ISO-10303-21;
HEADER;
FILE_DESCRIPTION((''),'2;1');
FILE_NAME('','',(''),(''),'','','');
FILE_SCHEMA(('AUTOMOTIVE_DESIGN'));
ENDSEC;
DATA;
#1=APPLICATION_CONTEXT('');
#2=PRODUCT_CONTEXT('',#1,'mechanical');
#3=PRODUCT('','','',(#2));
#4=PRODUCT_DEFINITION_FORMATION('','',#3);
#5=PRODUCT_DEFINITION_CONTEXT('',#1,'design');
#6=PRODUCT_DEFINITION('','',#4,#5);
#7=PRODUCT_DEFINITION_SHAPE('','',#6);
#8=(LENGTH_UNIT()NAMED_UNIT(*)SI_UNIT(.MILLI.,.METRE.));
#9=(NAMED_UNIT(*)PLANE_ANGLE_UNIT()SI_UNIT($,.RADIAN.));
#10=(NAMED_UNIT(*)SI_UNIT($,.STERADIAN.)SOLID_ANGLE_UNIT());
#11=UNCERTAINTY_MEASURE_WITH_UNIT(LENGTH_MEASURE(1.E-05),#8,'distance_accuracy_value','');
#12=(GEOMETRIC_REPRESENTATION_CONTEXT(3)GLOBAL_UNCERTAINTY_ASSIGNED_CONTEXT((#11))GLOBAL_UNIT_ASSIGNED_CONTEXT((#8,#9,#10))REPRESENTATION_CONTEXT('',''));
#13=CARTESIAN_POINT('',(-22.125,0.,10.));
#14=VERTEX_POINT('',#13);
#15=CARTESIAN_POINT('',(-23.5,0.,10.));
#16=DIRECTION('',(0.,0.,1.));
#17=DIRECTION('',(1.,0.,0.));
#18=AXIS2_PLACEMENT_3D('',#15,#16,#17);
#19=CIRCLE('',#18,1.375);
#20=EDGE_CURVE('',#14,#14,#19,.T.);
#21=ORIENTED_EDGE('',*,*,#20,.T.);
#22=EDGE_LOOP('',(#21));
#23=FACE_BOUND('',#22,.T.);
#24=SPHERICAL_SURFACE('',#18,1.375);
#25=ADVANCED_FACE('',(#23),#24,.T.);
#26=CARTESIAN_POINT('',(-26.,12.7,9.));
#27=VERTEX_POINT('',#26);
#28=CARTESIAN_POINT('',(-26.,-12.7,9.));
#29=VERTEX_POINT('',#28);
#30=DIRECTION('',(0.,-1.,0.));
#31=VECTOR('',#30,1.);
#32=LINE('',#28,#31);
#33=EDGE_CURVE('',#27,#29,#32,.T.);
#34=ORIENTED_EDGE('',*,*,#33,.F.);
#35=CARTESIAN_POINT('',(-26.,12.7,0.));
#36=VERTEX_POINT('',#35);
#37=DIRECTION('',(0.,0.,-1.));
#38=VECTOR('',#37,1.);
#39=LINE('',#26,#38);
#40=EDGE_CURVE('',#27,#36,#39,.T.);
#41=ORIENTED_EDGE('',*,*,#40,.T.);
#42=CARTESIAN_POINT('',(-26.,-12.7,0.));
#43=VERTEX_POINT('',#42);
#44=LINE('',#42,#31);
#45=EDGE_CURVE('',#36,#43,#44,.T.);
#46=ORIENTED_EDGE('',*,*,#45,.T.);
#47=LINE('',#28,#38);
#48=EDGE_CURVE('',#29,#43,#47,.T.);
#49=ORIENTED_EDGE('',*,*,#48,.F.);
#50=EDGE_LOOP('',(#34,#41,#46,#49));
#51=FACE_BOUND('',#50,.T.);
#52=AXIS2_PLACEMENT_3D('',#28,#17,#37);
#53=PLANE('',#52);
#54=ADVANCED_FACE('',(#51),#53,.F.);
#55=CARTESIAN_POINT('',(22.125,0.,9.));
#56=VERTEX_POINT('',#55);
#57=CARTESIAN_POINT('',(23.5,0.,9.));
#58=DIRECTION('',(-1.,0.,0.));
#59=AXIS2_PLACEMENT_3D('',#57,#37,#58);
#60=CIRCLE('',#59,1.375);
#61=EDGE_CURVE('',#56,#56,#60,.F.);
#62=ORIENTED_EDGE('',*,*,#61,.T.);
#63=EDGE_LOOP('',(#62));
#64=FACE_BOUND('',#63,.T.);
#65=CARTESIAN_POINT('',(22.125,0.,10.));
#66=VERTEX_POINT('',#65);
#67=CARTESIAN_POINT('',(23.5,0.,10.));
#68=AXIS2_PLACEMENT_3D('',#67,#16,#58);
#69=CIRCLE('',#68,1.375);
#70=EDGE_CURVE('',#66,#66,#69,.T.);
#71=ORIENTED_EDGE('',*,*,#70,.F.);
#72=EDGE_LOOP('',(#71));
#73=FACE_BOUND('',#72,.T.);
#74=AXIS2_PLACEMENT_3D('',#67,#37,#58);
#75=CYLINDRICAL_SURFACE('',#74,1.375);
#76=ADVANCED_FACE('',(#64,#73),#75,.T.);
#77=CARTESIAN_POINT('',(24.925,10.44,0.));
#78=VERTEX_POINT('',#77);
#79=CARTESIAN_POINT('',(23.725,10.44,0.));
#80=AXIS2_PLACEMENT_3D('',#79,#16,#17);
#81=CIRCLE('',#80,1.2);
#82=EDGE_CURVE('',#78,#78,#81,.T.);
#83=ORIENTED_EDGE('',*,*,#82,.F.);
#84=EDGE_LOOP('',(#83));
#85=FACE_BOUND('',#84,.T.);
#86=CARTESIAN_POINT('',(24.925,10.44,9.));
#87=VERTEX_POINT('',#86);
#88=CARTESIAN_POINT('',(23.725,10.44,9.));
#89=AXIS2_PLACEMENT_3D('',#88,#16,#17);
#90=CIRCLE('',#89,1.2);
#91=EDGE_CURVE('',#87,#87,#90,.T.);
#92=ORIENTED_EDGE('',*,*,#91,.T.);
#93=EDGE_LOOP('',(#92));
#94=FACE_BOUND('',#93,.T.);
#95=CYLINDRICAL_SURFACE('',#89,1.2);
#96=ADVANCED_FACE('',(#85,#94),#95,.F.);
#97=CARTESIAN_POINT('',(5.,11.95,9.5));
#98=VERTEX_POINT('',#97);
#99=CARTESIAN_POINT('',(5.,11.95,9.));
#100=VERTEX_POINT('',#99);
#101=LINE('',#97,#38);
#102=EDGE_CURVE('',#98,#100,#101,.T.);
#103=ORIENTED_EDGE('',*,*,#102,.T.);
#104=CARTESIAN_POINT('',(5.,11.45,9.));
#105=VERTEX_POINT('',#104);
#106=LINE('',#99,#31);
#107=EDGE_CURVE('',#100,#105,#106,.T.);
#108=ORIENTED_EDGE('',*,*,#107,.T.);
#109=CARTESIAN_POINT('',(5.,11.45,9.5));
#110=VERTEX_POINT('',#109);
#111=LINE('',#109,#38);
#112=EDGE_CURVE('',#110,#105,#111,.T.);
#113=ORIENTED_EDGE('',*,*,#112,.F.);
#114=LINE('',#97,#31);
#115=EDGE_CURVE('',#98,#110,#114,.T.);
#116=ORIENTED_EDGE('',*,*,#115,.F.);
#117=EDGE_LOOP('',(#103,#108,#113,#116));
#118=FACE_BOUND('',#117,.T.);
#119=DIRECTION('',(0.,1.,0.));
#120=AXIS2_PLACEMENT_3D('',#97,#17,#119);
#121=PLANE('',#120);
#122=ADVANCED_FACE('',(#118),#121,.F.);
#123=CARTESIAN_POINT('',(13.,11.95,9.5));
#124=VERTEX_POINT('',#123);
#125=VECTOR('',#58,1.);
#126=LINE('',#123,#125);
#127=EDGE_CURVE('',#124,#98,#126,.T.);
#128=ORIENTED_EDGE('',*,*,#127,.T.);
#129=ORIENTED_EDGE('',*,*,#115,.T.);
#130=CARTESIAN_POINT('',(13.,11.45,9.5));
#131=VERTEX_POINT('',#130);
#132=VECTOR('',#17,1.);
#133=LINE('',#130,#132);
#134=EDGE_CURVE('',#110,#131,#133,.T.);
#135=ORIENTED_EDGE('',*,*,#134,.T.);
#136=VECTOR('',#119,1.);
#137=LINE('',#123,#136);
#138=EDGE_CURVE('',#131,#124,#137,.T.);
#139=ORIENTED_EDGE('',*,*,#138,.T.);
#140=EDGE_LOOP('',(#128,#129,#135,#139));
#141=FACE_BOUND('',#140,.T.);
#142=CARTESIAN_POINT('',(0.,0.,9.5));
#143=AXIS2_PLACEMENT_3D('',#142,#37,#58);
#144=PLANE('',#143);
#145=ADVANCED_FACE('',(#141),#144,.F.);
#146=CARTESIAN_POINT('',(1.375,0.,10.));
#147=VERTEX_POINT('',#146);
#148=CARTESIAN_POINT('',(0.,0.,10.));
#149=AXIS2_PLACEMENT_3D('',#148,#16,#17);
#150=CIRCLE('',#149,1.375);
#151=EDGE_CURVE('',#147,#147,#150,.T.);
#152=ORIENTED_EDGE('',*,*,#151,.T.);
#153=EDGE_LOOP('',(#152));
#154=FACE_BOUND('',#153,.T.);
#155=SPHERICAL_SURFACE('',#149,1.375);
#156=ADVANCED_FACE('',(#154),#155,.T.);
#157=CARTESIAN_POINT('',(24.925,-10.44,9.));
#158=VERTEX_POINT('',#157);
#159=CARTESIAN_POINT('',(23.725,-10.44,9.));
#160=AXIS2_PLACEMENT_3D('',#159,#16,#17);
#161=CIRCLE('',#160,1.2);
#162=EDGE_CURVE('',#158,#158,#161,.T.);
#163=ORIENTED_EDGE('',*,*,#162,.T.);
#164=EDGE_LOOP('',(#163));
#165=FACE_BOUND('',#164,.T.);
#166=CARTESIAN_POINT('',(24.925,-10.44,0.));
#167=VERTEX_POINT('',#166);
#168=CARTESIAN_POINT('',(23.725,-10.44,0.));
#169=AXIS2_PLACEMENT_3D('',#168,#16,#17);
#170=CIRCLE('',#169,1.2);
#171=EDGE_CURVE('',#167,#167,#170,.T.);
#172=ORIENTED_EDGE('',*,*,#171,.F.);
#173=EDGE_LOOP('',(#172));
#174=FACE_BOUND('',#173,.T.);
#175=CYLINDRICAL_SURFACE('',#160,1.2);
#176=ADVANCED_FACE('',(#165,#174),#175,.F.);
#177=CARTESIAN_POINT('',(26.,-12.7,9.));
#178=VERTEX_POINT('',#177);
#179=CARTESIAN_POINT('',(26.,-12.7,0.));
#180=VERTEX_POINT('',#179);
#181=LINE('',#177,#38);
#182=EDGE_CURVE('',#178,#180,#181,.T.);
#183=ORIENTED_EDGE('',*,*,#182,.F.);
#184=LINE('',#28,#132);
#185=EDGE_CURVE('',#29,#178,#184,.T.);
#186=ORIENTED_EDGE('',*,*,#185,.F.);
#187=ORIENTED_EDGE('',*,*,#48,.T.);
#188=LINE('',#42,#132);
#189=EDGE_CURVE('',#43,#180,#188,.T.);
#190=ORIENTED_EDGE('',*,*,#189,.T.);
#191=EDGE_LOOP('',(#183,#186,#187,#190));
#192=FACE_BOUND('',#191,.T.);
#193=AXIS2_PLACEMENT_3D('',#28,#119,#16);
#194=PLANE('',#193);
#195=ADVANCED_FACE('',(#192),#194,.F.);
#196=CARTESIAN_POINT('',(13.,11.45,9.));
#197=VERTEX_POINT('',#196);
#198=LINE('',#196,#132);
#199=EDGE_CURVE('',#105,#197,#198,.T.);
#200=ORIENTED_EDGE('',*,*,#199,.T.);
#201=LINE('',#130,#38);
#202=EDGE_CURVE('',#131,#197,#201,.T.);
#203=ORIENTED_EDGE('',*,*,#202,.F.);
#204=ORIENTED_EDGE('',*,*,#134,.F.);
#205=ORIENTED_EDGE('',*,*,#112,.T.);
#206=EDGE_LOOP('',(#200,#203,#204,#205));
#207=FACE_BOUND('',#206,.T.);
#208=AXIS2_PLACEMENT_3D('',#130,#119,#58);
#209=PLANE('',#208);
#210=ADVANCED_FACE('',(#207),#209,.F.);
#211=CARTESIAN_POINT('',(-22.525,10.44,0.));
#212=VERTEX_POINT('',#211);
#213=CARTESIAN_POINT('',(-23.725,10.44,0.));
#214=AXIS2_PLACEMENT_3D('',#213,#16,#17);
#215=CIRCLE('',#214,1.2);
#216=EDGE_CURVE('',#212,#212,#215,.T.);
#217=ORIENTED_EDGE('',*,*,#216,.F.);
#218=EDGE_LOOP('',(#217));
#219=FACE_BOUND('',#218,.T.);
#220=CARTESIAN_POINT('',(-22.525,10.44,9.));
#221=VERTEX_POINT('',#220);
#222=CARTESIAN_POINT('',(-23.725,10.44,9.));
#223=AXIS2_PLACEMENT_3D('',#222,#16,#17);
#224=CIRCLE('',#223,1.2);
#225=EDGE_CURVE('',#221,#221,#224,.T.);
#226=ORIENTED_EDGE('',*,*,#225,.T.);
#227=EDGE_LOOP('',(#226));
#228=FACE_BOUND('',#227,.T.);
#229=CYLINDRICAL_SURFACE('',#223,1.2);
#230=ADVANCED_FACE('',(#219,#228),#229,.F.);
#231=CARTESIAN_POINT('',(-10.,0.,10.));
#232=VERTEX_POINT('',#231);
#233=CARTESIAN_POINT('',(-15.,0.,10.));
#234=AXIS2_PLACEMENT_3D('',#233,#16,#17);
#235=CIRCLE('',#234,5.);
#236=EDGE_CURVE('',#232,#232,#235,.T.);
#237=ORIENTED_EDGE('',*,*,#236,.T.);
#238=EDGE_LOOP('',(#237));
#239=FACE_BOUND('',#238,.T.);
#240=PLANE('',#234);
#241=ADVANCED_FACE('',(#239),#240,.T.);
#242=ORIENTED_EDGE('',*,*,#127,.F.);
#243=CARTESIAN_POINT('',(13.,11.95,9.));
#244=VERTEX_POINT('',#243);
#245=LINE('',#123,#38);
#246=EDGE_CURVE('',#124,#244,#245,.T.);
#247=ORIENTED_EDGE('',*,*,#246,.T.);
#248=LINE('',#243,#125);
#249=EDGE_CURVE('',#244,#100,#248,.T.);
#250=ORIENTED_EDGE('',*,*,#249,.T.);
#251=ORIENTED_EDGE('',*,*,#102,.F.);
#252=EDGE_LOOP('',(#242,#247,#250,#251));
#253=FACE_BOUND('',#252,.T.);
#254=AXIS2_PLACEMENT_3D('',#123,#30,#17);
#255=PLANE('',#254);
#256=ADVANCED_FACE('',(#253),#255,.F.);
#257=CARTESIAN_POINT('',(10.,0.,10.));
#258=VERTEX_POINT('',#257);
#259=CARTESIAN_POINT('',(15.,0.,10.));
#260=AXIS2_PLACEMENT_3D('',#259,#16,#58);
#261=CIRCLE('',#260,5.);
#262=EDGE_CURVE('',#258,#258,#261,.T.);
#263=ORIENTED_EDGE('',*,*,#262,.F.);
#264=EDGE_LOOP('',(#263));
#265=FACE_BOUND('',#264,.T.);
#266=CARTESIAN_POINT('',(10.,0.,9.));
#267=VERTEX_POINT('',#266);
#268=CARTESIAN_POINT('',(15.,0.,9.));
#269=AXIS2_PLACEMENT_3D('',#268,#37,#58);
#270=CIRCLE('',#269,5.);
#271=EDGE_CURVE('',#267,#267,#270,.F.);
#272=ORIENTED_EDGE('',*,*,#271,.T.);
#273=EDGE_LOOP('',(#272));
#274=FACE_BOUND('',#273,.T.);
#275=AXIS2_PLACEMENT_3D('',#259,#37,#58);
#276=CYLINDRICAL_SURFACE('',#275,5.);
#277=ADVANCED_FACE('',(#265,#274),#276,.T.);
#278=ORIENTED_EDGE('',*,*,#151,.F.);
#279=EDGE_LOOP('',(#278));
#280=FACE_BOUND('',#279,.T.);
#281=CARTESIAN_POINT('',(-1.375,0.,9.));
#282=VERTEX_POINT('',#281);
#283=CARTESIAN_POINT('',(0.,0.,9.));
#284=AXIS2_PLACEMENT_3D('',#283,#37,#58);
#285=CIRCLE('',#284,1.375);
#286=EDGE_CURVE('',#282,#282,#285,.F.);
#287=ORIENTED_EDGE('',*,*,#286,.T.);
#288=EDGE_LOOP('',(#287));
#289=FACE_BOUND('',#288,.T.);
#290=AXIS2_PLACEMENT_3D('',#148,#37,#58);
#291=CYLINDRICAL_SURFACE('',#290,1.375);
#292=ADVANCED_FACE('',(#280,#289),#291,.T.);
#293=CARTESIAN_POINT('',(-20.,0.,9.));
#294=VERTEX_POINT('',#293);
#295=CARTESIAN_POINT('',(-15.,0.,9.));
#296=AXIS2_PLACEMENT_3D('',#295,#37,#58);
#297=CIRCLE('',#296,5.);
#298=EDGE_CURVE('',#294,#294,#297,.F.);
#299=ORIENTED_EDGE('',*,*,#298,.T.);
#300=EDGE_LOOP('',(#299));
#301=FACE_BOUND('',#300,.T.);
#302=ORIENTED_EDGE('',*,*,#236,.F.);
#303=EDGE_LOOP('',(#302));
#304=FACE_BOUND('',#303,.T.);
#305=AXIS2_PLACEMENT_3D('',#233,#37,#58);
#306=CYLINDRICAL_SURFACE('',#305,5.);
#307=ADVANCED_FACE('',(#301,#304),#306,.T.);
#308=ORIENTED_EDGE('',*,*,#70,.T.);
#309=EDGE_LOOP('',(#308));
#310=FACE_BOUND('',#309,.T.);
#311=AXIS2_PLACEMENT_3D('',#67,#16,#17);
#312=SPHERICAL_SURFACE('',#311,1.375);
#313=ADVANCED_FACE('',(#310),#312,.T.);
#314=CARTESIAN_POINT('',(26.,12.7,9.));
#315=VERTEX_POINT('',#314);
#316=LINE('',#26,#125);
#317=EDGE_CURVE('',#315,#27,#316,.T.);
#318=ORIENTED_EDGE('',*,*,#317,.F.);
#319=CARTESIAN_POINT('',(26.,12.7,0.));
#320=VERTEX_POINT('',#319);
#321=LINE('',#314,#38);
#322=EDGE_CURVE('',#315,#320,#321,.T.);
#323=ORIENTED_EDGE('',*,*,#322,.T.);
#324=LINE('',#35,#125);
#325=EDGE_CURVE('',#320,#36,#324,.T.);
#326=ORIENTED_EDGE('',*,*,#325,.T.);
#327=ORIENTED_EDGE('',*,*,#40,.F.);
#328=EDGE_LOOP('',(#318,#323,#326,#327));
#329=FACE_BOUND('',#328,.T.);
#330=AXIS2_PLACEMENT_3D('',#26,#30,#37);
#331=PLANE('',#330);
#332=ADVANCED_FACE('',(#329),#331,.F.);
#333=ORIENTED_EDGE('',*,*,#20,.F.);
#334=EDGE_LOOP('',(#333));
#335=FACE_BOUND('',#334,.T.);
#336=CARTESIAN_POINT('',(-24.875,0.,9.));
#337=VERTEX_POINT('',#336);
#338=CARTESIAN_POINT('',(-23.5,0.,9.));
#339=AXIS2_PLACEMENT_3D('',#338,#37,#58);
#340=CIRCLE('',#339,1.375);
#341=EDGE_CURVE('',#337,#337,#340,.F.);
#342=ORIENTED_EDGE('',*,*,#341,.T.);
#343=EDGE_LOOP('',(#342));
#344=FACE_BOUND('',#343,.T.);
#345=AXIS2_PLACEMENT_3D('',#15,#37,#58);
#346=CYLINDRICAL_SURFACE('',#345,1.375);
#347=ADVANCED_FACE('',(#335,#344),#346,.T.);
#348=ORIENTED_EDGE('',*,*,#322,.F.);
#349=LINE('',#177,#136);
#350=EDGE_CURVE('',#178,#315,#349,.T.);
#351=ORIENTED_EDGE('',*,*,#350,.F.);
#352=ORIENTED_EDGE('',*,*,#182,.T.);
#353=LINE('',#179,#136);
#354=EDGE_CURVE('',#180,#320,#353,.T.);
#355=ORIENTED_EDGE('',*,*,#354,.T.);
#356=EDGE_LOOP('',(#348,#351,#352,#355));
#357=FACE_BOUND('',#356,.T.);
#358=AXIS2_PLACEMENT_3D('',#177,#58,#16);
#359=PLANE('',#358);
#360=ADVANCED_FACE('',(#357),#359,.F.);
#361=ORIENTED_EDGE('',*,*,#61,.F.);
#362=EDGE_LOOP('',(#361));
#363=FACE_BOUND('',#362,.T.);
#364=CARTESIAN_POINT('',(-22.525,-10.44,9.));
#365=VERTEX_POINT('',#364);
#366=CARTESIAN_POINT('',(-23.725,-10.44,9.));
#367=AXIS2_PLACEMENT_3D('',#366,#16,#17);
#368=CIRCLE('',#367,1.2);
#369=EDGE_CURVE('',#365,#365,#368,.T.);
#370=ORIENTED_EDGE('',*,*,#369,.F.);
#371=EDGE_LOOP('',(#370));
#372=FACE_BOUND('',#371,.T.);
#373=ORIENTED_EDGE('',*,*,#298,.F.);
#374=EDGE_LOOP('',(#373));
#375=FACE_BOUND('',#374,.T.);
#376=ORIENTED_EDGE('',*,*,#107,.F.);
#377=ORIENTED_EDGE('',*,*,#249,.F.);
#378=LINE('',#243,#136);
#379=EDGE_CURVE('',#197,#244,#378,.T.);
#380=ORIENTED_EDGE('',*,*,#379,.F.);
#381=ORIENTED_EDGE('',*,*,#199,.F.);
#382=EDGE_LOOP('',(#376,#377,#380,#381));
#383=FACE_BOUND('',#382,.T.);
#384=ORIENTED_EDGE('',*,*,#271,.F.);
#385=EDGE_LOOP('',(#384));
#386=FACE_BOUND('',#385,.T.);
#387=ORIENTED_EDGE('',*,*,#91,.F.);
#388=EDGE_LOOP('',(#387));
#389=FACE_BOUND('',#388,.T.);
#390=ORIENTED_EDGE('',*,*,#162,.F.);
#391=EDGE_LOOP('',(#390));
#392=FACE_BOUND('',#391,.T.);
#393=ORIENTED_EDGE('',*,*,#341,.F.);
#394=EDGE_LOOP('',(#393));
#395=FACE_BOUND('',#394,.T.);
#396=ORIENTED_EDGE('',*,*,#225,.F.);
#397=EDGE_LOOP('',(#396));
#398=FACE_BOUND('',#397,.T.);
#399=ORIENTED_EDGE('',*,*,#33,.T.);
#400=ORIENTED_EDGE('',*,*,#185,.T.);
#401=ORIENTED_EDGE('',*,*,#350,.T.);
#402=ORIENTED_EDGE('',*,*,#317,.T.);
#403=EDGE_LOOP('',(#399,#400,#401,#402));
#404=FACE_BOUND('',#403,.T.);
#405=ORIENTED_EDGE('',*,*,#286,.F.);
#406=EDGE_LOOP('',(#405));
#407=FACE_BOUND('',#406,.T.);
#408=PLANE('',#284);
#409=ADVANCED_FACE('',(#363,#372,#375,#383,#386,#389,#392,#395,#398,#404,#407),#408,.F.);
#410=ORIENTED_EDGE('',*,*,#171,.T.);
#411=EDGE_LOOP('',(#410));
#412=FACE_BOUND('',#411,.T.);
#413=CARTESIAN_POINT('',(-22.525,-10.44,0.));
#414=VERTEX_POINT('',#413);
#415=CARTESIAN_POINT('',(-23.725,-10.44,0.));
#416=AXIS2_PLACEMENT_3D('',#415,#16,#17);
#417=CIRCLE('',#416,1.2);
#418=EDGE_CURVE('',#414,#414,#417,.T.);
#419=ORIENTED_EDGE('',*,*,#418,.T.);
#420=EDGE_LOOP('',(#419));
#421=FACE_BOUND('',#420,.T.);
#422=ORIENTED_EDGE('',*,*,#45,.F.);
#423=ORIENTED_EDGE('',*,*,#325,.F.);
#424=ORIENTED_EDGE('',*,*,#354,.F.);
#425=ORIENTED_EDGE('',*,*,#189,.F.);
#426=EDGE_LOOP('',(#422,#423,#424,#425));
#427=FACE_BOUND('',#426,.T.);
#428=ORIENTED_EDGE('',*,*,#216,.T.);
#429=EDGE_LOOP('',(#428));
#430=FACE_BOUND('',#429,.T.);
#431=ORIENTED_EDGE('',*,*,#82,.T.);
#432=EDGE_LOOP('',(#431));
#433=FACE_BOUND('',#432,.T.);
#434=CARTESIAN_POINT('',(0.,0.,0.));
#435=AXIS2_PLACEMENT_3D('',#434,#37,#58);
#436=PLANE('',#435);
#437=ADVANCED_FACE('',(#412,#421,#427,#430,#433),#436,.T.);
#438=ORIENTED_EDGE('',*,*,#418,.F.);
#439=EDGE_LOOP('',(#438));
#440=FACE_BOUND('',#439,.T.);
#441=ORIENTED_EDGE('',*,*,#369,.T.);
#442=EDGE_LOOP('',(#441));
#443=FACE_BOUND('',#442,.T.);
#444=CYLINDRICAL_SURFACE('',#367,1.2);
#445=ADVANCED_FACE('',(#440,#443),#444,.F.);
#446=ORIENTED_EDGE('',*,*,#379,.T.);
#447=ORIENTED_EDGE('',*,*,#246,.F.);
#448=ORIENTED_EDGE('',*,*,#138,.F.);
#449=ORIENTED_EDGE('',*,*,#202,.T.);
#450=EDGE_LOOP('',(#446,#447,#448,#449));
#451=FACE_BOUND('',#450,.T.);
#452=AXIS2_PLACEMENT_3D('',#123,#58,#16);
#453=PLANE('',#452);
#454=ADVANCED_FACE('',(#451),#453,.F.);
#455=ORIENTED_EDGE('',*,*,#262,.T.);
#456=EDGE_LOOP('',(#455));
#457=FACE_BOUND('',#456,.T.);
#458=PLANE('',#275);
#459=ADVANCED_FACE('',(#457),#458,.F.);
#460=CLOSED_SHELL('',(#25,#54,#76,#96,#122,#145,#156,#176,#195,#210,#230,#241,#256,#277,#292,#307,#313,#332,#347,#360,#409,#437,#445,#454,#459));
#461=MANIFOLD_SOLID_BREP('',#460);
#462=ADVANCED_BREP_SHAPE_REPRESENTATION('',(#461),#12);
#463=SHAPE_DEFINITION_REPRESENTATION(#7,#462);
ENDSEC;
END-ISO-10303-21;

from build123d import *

# Parameters (mm, degrees)
SCHIZZO1_W                   = 52
SCHIZZO1_H                   = 25.4
ESTRUSIONE_ESTRUSIONE1_DEPTH = 9
FORO_PER_VITE_M2_1_D         = 2.4
SCHIZZO5_R                   = 5
ESTRUSIONE_ESTRUSIONE2_DEPTH = 1
SCHIZZO6_W                   = 8
SCHIZZO6_H                   = 0.5
ESTRUSIONE_ESTRUSIONE3_DEPTH = 0.5
SCHIZZO7_R                   = 1.375
ESTRUSIONE_ESTRUSIONE4_DEPTH = 1
CUPOLA1_FACE_RADIUS          = 1.375
CUPOLA1_HEIGHT               = 1.375
CUPOLA2_FACE_RADIUS          = 1.375
CUPOLA2_HEIGHT               = 1.375
CUPOLA3_FACE_RADIUS          = 1.375
CUPOLA3_HEIGHT               = 1.375


with BuildPart() as part:
    # Schizzo1 → Estrusione-Estrusione1 (new body)
    with BuildSketch(Plane.XY):
        Rectangle(SCHIZZO1_W, SCHIZZO1_H)
    extrude(amount=ESTRUSIONE_ESTRUSIONE1_DEPTH)

    # Foro per Vite M2-1 (through all)
    with Locations(Plane.XY.offset(9)):
        with Locations((-23.725, 10.44), (-23.725, -10.44), (23.725, -10.44), (23.725, 10.44)):
            Hole(FORO_PER_VITE_M2_1_D / 2)

    # Schizzo5 → Estrusione-Estrusione2 (add)
    with BuildSketch(Plane.XY.offset(9)):
        with Locations(Location((-15, 0, 0), (0, 0, 180))):
            Circle(SCHIZZO5_R)
        with Locations(Location((15, 0, 0), (0, 0, 180))):
            Circle(SCHIZZO5_R)
    extrude(amount=ESTRUSIONE_ESTRUSIONE2_DEPTH)

    # Schizzo6 → Estrusione-Estrusione3 (add)
    with BuildSketch(Plane.XY.offset(9)):
        with Locations((9, 11.7)):
            Rectangle(SCHIZZO6_W, SCHIZZO6_H)
    extrude(amount=ESTRUSIONE_ESTRUSIONE3_DEPTH)

    # Schizzo7 → Estrusione-Estrusione4 (add)
    with BuildSketch(Plane.XY.offset(9)):
        with Locations(Location((-23.5, 0, 0), (0, 0, 180))):
            Circle(SCHIZZO7_R)
        with Locations(Location((23.5, 0, 0), (0, 0, 180))):
            Circle(SCHIZZO7_R)
        with Locations(Location((0, 0, 0), (0, 0, 180))):
            Circle(SCHIZZO7_R)
    extrude(amount=ESTRUSIONE_ESTRUSIONE4_DEPTH)

    # Cupola1: a dome of height H over a round flat face of radius A is a cap of a sphere of radius (A * A + H * H) / (2 * H)
    cupola1_r = (CUPOLA1_FACE_RADIUS * CUPOLA1_FACE_RADIUS + CUPOLA1_HEIGHT * CUPOLA1_HEIGHT) / (2 * CUPOLA1_HEIGHT)
    cupola1_base = Plane((-23.5, 0, 10), z_dir=(0, 0, 1))
    with Locations(cupola1_base.offset(CUPOLA1_HEIGHT - cupola1_r)):
        cupola1_ball = Sphere(cupola1_r, mode=Mode.PRIVATE)
    add(split(cupola1_ball, bisect_by=cupola1_base, keep=Keep.TOP, mode=Mode.PRIVATE))

    # Cupola2: a dome of height H over a round flat face of radius A is a cap of a sphere of radius (A * A + H * H) / (2 * H)
    cupola2_r = (CUPOLA2_FACE_RADIUS * CUPOLA2_FACE_RADIUS + CUPOLA2_HEIGHT * CUPOLA2_HEIGHT) / (2 * CUPOLA2_HEIGHT)
    cupola2_base = Plane((0, 0, 10), z_dir=(0, 0, 1))
    with Locations(cupola2_base.offset(CUPOLA2_HEIGHT - cupola2_r)):
        cupola2_ball = Sphere(cupola2_r, mode=Mode.PRIVATE)
    add(split(cupola2_ball, bisect_by=cupola2_base, keep=Keep.TOP, mode=Mode.PRIVATE))

    # Cupola3: a dome of height H over a round flat face of radius A is a cap of a sphere of radius (A * A + H * H) / (2 * H)
    cupola3_r = (CUPOLA3_FACE_RADIUS * CUPOLA3_FACE_RADIUS + CUPOLA3_HEIGHT * CUPOLA3_HEIGHT) / (2 * CUPOLA3_HEIGHT)
    cupola3_base = Plane((23.5, 0, 10), z_dir=(0, 0, 1))
    with Locations(cupola3_base.offset(CUPOLA3_HEIGHT - cupola3_r)):
        cupola3_ball = Sphere(cupola3_r, mode=Mode.PRIVATE)
    add(split(cupola3_ball, bisect_by=cupola3_base, keep=Keep.TOP, mode=Mode.PRIVATE))


solid = part.part
